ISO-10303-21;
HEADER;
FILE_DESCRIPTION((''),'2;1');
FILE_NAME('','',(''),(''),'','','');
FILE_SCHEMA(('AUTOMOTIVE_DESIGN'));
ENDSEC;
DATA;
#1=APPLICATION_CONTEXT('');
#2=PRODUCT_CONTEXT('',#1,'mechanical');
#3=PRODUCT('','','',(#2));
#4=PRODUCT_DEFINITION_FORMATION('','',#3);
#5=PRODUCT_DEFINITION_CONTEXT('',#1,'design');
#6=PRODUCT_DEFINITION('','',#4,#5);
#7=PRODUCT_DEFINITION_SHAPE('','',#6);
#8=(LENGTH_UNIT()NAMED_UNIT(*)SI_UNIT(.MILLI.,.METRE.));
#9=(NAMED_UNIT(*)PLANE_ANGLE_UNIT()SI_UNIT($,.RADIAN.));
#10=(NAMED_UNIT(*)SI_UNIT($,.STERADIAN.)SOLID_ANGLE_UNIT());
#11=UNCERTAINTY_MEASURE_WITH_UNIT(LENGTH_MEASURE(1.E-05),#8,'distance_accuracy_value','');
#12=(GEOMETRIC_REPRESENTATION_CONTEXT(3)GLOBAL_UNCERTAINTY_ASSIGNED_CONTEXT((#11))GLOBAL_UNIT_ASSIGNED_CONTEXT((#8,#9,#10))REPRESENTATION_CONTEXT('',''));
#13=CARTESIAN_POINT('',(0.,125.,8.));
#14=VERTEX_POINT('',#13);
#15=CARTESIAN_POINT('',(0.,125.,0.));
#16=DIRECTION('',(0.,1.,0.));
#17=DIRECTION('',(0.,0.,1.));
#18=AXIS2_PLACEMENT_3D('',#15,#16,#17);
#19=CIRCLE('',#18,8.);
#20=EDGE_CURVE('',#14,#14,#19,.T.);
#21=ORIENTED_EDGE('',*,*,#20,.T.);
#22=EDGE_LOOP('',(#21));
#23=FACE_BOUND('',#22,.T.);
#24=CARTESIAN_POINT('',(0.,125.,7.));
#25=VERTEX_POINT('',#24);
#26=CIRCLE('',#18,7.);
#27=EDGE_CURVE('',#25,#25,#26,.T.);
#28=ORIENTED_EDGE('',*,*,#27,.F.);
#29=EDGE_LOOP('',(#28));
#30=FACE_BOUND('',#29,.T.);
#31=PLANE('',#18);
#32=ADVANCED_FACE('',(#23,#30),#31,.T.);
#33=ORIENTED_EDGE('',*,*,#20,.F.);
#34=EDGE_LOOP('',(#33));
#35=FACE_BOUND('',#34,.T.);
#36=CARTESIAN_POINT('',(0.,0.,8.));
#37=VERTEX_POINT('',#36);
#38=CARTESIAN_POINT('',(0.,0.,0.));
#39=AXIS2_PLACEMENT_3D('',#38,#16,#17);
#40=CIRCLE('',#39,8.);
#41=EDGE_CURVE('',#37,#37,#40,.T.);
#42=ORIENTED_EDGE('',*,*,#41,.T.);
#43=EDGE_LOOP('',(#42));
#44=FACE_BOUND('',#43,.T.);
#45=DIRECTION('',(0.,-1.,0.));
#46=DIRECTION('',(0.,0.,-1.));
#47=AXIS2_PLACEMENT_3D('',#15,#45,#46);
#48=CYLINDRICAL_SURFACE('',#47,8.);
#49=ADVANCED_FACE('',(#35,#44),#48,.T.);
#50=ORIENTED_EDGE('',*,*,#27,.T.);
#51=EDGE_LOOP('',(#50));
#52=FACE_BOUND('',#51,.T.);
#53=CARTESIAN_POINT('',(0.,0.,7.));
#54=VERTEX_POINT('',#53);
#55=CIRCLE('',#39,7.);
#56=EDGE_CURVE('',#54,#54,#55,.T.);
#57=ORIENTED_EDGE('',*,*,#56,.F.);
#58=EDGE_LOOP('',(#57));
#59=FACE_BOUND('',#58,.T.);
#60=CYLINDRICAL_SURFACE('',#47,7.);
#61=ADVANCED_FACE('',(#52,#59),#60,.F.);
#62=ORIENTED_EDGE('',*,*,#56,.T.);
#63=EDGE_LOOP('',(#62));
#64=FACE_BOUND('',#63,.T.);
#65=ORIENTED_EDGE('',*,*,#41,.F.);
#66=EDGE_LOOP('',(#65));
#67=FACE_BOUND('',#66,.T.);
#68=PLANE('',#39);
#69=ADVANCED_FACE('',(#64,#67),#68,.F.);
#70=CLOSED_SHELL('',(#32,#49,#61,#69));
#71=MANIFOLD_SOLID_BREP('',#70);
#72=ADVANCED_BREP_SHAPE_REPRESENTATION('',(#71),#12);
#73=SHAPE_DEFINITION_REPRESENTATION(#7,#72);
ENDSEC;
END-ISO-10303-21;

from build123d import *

# Parameters (mm, degrees)
SKETCH_1_R      = 8
SKETCH_1_R_2    = 7
EXTRUDE_1_DEPTH = 125


with BuildPart() as part:
    # 草图1 → 凸台-拉伸1 (new body)
    with BuildSketch(Plane(origin=(0, 0, 0), x_dir=(1, 0, 0), z_dir=(0, 1, 0))):
        Circle(SKETCH_1_R)
        Circle(SKETCH_1_R_2, mode=Mode.SUBTRACT)
    extrude(amount=EXTRUDE_1_DEPTH)


solid = part.part
